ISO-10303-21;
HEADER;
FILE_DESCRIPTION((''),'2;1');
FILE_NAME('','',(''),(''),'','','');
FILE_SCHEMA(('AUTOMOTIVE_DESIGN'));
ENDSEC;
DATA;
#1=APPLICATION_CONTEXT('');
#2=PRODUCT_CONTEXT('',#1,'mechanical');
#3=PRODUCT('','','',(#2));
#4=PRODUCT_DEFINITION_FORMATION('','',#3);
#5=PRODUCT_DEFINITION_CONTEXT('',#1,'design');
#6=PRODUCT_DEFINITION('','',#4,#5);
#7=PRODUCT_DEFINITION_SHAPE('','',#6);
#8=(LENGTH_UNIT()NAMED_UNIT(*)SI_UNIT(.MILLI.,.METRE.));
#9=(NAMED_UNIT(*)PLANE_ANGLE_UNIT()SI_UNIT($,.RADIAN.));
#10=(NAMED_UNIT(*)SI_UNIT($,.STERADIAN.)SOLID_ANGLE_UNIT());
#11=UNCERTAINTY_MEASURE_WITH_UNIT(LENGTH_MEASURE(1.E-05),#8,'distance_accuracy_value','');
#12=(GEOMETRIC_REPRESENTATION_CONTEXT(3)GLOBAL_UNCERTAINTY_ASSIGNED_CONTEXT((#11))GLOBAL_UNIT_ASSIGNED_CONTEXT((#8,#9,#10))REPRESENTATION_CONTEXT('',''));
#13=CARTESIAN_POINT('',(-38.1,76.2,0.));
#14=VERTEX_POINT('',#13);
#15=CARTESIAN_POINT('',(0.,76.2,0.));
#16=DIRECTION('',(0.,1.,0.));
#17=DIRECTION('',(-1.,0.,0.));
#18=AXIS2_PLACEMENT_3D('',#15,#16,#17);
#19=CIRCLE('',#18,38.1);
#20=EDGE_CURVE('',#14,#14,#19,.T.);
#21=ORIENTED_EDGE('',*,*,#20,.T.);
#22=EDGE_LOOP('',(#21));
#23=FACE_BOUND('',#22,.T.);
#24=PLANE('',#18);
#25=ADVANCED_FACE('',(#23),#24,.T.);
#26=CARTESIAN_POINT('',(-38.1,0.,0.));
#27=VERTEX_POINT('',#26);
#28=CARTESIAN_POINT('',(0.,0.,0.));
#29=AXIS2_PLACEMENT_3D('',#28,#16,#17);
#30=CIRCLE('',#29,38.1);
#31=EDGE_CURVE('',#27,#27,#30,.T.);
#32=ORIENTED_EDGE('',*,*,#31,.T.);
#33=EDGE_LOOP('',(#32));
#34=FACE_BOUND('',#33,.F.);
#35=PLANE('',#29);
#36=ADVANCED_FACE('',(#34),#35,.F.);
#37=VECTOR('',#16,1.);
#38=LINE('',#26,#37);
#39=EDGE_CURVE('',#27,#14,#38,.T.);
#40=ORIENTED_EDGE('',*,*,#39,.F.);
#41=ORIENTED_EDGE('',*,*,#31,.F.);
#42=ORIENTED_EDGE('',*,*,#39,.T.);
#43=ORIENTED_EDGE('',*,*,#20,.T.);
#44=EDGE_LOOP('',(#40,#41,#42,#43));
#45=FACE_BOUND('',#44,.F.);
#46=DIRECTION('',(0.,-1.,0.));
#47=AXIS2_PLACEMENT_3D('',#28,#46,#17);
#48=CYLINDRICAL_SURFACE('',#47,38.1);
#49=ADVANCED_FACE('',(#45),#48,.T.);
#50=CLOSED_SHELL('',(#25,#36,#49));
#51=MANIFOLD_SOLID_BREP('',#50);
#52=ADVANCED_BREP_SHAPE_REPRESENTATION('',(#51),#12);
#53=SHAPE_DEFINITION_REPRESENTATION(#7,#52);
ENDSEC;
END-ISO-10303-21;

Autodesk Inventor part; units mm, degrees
ref_plane "YZ Plane" through (0, 0, 0) normal (1, 0, 0) x (0, 1, 0)
ref_plane "XZ Plane" through (0, 0, 0) normal (0, 1, 0) x (-1, 0, 0)
ref_plane "XY Plane" through (0, 0, 0) normal (0, 0, 1) x (1, 0, 0)
sketch "Sketch1" plane through (0, 0, 0) normal (0, 1, 0) x (-1, 0, 0)
  circle A0 centre (0, 0) radius 38.1
  dimension "d0" = 76.2
extrude "Extrusion1" add sketch "Sketch1" along normal blind 76.2
properties part number "Test"
